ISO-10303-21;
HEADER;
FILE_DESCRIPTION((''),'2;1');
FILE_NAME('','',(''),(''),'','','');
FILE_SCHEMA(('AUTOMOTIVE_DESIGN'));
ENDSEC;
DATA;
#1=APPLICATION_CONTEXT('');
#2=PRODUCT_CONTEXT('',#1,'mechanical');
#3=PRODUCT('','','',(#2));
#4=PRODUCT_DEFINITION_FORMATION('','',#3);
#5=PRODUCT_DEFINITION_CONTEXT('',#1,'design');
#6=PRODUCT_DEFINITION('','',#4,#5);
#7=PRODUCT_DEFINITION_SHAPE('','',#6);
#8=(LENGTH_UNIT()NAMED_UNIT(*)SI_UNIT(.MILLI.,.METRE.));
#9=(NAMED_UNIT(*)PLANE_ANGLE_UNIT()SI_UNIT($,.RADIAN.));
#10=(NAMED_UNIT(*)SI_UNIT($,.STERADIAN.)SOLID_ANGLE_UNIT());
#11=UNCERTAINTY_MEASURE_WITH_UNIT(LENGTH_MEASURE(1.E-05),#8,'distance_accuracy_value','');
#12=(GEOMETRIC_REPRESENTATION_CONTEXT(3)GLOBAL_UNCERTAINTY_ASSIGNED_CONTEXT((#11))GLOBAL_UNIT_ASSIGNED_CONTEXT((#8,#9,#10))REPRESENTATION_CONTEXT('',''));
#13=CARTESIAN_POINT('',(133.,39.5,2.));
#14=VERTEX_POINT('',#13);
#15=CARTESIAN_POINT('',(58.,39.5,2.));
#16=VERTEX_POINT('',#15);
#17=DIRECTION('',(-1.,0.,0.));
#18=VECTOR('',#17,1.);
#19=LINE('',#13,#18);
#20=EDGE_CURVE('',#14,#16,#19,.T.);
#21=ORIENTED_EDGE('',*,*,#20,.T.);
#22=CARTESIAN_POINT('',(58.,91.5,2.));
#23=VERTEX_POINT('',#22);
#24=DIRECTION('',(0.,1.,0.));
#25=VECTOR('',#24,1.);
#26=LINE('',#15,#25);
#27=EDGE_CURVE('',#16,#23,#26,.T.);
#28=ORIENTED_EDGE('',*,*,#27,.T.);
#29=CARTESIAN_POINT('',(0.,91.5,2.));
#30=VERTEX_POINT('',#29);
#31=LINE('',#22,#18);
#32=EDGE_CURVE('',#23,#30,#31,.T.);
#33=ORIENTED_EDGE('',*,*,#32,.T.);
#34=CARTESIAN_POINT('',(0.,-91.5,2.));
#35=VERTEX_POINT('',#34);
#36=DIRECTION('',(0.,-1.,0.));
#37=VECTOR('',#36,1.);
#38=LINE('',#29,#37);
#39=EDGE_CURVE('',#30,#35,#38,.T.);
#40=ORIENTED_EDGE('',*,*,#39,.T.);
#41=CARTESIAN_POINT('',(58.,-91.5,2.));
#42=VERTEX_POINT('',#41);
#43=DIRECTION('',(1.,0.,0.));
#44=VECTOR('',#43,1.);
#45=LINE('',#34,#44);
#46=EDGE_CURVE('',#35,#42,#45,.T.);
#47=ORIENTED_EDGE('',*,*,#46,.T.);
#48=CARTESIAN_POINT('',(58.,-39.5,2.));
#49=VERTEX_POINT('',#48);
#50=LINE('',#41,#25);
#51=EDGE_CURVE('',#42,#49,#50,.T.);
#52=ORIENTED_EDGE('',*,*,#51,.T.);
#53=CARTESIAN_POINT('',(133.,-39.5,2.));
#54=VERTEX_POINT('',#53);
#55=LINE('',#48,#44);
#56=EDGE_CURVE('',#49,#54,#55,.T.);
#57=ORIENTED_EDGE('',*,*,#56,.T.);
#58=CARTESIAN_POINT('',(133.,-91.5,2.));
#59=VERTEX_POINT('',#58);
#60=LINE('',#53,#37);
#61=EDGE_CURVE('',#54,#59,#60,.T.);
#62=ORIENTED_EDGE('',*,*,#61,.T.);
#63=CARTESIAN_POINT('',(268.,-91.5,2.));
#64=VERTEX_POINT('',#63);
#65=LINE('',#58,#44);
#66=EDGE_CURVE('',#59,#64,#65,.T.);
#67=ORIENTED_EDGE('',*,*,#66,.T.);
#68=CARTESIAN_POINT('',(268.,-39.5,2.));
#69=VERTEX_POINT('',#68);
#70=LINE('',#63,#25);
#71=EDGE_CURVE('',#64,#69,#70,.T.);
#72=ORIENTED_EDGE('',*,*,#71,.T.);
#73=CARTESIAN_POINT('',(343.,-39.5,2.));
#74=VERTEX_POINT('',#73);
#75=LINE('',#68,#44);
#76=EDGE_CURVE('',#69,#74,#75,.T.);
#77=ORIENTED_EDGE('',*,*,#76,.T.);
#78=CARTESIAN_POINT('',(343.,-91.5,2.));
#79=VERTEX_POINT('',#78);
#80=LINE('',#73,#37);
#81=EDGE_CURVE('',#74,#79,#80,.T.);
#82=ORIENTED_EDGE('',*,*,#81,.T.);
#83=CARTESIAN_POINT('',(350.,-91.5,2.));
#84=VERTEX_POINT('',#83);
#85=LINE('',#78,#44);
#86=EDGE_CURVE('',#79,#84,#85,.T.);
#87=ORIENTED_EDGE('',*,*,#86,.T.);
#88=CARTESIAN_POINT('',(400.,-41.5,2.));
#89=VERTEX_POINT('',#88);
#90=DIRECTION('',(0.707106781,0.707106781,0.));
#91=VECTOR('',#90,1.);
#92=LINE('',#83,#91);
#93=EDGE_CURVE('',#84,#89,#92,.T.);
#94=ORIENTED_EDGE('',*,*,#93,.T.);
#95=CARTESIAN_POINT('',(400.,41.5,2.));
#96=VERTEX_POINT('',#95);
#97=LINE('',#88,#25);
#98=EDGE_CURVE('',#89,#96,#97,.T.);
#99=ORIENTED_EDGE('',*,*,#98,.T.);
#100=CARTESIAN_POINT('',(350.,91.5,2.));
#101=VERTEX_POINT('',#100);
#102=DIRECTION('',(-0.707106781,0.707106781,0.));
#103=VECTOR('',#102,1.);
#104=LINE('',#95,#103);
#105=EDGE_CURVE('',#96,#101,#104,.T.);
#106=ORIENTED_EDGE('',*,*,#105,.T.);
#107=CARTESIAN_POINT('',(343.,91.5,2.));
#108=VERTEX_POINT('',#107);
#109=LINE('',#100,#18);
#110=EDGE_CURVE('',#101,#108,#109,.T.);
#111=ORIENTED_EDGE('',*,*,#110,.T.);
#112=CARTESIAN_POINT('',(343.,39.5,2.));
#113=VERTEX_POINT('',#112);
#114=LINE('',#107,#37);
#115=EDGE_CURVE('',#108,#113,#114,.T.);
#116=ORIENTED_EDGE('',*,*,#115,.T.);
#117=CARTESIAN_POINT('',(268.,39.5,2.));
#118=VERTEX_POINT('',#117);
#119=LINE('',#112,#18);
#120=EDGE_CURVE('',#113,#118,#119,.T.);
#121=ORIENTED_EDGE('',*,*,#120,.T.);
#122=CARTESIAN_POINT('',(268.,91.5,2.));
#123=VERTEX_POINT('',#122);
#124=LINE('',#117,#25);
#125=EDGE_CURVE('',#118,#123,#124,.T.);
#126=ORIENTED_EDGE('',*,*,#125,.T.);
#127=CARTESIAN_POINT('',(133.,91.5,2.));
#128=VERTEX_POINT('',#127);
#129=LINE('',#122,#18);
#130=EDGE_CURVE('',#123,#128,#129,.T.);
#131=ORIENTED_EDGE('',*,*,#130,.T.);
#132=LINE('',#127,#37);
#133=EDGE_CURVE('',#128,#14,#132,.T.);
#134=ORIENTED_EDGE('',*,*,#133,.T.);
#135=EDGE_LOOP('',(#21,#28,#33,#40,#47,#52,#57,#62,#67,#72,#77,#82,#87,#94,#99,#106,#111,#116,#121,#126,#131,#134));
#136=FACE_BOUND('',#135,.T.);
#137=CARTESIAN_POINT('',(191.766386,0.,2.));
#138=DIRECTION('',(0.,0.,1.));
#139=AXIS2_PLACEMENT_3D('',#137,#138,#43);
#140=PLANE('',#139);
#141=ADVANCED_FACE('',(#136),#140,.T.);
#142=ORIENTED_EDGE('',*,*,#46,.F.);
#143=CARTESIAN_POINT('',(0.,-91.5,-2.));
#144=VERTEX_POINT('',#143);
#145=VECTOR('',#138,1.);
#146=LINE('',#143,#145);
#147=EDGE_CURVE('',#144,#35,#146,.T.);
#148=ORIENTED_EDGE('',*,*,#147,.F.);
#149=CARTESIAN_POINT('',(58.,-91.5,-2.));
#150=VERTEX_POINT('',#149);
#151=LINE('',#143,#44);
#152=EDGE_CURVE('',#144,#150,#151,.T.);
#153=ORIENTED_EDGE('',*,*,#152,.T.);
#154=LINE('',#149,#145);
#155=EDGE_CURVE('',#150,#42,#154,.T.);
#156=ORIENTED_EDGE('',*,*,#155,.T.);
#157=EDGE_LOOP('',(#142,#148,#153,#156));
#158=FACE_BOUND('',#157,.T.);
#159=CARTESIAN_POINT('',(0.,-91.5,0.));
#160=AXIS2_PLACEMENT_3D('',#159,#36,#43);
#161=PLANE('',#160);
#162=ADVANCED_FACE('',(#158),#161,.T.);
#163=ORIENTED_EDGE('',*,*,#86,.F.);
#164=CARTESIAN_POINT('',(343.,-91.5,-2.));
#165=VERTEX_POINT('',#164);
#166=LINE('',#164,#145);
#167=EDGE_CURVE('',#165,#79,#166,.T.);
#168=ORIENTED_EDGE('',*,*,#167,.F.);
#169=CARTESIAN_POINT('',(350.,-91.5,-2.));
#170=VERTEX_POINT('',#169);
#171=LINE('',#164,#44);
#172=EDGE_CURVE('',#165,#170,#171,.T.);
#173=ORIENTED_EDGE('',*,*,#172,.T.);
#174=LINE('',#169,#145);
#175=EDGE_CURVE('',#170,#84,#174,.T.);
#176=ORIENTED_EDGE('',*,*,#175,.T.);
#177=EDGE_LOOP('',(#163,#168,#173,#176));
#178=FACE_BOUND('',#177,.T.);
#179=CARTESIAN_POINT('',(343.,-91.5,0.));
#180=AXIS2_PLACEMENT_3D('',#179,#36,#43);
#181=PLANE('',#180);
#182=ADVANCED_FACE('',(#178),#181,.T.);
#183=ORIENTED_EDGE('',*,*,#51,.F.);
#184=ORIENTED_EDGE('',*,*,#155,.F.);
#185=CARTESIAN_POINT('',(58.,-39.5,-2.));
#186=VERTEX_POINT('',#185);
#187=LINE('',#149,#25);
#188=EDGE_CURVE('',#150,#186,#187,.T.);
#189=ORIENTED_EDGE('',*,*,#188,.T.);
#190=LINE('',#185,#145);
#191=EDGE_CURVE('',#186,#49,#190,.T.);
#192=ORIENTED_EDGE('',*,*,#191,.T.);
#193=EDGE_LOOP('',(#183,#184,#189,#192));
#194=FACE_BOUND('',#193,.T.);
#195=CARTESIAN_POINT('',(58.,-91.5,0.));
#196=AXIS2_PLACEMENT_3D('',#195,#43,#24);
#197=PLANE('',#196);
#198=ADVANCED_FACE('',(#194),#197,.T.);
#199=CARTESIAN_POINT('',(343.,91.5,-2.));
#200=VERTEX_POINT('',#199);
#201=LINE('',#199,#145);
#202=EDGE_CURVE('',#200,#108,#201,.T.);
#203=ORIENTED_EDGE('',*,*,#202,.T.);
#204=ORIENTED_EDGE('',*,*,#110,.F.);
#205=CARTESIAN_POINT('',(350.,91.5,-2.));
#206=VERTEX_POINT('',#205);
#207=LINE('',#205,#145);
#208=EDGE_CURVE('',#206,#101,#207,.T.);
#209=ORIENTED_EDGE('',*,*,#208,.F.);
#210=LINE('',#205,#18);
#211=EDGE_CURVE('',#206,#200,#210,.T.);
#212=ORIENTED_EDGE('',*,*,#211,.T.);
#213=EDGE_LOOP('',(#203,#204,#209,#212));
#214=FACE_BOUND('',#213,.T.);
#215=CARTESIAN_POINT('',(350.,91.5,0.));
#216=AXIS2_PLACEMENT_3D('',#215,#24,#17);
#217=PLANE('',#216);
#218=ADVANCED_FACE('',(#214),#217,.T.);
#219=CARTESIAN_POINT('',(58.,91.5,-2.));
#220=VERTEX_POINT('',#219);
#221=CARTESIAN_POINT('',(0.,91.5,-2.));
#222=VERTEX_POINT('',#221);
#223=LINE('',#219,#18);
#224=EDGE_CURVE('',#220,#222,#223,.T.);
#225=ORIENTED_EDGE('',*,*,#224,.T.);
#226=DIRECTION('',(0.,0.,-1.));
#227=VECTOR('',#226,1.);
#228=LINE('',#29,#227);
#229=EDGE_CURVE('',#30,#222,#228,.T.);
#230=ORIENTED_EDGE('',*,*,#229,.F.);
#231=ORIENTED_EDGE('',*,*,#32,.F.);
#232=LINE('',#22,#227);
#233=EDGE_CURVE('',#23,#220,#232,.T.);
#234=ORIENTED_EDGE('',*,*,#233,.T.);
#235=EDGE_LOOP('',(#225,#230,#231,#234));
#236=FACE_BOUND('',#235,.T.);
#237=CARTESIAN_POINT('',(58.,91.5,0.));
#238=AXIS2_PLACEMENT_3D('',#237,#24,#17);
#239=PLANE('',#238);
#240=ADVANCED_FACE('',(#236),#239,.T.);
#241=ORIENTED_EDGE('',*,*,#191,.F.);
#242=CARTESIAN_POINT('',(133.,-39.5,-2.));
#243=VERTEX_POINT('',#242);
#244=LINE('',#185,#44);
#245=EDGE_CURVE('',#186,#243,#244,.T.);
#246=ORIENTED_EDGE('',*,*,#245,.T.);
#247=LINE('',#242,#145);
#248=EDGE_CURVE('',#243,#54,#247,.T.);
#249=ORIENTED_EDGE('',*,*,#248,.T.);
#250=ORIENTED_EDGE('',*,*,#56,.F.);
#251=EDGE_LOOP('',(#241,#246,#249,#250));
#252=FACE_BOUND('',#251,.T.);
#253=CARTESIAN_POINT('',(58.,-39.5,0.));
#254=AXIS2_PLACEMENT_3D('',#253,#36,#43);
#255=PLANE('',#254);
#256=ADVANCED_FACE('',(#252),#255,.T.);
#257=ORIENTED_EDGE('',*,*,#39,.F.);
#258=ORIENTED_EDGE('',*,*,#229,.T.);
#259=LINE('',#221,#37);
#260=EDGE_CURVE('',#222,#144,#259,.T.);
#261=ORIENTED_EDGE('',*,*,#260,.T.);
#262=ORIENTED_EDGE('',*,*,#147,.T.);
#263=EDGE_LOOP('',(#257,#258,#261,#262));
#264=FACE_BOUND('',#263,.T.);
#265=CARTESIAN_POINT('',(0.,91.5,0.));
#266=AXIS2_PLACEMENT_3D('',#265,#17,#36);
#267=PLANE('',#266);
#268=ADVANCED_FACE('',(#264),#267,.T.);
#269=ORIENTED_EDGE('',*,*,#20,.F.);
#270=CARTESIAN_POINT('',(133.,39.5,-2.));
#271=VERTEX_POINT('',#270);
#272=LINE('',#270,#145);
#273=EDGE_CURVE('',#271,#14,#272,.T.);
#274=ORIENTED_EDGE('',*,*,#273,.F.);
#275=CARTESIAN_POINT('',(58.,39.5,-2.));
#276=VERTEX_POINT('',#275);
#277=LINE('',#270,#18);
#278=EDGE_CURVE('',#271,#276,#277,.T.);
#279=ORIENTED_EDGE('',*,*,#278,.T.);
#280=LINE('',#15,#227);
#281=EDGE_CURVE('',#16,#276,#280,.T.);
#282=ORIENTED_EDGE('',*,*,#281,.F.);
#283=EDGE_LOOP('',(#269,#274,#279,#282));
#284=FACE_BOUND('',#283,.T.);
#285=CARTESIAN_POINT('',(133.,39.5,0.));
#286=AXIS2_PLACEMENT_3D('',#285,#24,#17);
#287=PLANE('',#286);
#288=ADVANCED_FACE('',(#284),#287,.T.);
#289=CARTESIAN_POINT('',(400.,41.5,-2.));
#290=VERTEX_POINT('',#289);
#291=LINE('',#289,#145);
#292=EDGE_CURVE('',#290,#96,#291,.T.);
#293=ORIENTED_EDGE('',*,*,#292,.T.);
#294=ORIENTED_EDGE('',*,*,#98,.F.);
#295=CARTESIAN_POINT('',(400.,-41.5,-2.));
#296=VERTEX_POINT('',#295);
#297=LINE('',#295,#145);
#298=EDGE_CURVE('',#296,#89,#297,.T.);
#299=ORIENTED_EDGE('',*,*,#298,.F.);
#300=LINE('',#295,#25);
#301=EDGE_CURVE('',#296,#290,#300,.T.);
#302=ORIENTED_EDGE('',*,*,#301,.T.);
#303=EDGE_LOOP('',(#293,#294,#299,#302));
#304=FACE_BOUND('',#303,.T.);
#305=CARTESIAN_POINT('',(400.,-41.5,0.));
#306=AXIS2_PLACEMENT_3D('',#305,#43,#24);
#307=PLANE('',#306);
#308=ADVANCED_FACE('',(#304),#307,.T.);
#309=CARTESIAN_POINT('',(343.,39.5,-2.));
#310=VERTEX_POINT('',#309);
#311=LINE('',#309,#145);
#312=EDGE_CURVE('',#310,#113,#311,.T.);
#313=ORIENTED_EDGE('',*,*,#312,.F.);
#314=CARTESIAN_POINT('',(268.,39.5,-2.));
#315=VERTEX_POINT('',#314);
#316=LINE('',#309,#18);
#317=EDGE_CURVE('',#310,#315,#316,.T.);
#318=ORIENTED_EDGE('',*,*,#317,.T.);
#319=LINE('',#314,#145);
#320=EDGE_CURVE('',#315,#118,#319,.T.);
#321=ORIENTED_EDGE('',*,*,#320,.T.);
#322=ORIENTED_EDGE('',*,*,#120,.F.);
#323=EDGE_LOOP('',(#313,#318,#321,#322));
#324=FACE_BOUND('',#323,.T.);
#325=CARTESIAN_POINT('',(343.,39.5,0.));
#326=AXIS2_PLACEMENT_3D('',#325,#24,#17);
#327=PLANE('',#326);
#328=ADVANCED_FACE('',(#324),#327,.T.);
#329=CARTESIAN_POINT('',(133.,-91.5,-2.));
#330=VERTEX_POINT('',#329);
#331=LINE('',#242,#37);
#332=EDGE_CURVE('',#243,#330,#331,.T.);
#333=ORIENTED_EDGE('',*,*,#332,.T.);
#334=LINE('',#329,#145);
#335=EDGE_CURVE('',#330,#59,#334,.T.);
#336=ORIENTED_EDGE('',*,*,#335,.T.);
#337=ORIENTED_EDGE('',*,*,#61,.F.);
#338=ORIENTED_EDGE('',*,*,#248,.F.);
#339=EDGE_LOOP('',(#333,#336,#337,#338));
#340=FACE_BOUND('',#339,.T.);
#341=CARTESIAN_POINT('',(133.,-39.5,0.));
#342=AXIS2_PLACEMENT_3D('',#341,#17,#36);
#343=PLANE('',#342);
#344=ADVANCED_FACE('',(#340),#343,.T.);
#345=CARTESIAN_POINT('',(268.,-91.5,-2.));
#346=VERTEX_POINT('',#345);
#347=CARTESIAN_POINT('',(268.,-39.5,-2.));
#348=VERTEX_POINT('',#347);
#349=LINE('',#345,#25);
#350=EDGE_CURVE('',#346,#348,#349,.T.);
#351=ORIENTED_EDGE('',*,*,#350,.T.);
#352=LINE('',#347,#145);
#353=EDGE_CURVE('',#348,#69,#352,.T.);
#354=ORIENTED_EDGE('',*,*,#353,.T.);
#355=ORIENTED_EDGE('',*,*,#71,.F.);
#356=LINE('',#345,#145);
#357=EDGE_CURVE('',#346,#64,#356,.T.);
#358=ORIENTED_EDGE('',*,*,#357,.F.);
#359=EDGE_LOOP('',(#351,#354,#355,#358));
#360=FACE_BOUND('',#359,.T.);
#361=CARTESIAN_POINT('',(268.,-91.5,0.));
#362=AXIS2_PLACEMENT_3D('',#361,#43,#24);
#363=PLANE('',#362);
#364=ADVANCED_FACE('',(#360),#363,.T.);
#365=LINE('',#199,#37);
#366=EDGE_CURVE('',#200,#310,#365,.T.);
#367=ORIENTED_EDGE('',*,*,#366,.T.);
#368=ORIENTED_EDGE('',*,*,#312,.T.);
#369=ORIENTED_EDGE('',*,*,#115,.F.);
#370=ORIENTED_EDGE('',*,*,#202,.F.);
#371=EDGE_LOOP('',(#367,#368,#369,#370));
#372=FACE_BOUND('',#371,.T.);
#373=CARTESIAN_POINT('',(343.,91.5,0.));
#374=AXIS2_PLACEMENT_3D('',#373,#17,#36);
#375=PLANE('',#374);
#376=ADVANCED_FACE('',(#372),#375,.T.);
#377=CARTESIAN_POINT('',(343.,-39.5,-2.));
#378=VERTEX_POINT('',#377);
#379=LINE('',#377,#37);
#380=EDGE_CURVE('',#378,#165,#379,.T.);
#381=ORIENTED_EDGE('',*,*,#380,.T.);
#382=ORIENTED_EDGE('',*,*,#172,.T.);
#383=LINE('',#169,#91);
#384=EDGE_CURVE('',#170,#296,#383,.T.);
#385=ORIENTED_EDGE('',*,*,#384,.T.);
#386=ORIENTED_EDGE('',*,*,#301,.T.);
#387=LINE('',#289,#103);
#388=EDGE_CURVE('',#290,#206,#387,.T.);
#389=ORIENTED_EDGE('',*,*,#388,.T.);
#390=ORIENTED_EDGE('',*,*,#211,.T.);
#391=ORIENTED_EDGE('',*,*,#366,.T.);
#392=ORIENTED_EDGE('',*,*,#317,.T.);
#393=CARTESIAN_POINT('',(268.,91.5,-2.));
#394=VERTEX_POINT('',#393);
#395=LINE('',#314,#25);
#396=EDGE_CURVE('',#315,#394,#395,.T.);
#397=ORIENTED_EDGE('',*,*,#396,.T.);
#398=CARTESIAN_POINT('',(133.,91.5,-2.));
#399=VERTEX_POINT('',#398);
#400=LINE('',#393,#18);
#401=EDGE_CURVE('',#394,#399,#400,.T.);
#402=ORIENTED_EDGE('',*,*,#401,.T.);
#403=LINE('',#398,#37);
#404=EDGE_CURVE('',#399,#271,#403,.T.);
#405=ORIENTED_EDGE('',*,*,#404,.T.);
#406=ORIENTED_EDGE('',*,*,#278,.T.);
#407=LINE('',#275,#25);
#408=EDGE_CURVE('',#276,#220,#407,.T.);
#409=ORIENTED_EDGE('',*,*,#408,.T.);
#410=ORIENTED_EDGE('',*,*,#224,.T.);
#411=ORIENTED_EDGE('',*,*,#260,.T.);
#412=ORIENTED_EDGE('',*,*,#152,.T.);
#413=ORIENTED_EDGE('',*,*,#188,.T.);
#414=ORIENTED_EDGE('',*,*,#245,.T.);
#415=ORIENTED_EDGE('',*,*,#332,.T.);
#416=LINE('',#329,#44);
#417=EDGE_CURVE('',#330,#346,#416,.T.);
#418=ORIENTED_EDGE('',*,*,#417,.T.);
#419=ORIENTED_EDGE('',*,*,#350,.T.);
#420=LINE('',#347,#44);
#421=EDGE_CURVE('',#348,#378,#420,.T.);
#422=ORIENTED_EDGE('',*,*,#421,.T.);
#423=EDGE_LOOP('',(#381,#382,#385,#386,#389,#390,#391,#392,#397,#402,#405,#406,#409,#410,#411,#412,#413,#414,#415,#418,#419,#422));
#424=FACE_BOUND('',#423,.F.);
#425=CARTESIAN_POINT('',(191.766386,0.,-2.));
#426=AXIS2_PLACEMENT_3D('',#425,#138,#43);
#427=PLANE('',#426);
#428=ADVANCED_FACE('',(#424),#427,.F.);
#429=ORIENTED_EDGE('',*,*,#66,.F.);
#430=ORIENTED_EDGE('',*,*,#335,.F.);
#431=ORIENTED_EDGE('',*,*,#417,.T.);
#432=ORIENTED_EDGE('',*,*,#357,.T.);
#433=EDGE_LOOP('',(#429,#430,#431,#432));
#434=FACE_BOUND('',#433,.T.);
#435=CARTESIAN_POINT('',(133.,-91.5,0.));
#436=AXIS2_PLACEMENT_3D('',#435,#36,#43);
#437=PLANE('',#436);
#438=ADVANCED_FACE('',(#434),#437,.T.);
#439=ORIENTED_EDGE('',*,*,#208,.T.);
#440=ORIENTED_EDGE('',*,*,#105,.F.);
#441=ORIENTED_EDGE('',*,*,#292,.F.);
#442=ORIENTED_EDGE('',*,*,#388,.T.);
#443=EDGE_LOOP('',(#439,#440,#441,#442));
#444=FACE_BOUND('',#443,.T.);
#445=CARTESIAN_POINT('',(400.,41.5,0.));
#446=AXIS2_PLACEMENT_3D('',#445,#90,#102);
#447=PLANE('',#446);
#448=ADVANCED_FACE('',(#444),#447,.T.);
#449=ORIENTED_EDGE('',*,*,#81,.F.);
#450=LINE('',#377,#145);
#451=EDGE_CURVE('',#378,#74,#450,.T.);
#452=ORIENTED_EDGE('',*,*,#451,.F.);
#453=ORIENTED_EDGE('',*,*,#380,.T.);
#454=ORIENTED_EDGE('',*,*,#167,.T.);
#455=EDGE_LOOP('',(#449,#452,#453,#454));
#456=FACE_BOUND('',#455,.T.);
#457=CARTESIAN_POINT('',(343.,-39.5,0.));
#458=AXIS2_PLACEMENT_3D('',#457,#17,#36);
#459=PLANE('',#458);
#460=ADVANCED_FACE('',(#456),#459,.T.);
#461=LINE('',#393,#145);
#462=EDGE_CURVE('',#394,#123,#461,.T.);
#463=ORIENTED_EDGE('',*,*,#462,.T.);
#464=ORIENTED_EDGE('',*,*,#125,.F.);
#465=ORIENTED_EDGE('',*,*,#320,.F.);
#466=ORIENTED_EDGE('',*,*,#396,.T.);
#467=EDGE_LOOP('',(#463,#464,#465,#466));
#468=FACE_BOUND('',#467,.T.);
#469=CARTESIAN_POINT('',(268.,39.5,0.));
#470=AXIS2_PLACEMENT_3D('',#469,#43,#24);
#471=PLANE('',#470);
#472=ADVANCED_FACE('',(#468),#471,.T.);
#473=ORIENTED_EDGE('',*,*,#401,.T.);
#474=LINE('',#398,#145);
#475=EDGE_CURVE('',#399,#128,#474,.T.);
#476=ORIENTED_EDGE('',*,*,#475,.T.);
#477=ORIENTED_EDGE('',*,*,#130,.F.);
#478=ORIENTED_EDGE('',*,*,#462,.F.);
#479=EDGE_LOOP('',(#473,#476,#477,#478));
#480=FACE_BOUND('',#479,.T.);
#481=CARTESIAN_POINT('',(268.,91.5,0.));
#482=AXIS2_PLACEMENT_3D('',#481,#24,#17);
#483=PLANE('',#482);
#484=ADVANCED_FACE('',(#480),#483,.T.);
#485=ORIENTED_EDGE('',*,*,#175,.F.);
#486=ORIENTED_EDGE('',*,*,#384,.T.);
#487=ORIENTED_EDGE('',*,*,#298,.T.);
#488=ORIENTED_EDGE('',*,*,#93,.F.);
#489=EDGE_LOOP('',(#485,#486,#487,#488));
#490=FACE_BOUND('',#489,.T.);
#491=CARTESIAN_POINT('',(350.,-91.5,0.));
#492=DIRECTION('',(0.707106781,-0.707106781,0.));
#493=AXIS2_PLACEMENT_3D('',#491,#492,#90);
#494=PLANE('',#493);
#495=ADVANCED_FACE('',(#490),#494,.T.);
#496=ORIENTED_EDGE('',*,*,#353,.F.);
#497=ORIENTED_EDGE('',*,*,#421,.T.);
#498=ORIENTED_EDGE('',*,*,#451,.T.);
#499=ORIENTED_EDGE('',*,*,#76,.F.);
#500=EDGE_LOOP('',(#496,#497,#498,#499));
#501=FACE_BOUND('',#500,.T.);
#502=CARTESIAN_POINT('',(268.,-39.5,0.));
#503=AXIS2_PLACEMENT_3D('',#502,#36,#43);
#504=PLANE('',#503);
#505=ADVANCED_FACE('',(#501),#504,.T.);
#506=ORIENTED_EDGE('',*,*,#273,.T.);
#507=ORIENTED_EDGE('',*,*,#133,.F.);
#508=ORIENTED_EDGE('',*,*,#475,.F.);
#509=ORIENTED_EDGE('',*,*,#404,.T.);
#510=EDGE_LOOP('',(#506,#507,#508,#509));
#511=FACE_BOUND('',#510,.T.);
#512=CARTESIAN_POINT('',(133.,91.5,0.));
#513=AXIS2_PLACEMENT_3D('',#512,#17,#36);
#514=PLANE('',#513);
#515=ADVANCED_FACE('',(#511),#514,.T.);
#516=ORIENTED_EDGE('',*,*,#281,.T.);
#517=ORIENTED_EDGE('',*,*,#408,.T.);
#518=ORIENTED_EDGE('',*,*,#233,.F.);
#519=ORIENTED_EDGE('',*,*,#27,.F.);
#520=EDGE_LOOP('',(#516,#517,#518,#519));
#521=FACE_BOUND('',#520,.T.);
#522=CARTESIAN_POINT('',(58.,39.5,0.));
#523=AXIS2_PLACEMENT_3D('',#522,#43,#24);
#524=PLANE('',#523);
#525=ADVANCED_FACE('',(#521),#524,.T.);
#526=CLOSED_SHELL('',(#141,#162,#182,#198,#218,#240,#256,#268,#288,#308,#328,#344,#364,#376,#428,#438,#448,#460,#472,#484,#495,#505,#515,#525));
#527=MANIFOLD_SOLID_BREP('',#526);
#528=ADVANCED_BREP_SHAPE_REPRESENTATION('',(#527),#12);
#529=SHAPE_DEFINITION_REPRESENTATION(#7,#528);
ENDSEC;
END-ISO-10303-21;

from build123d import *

# Parameters (mm, degrees)
F1_DEPTH = 2


with BuildPart() as f1:
    # F0 (on Top) → F1 (new body, symmetric)
    with BuildSketch(Plane.XY):
        Polygon((0, 91.5), (0, 0), (0, -91.5), (58, -91.5), (58, -39.5), (133, -39.5), (133, -91.5), (268, -91.5), (268, -39.5), (343, -39.5), (343, -91.5), (350, -91.5), (400, -41.5), (400, 0), (400, 41.5), (350, 91.5), (343, 91.5), (343, 39.5), (268, 39.5), (268, 91.5), (133, 91.5), (133, 39.5), (58, 39.5), (58, 91.5), align=None)
    extrude(amount=F1_DEPTH, both=True)


solid = f1.part
